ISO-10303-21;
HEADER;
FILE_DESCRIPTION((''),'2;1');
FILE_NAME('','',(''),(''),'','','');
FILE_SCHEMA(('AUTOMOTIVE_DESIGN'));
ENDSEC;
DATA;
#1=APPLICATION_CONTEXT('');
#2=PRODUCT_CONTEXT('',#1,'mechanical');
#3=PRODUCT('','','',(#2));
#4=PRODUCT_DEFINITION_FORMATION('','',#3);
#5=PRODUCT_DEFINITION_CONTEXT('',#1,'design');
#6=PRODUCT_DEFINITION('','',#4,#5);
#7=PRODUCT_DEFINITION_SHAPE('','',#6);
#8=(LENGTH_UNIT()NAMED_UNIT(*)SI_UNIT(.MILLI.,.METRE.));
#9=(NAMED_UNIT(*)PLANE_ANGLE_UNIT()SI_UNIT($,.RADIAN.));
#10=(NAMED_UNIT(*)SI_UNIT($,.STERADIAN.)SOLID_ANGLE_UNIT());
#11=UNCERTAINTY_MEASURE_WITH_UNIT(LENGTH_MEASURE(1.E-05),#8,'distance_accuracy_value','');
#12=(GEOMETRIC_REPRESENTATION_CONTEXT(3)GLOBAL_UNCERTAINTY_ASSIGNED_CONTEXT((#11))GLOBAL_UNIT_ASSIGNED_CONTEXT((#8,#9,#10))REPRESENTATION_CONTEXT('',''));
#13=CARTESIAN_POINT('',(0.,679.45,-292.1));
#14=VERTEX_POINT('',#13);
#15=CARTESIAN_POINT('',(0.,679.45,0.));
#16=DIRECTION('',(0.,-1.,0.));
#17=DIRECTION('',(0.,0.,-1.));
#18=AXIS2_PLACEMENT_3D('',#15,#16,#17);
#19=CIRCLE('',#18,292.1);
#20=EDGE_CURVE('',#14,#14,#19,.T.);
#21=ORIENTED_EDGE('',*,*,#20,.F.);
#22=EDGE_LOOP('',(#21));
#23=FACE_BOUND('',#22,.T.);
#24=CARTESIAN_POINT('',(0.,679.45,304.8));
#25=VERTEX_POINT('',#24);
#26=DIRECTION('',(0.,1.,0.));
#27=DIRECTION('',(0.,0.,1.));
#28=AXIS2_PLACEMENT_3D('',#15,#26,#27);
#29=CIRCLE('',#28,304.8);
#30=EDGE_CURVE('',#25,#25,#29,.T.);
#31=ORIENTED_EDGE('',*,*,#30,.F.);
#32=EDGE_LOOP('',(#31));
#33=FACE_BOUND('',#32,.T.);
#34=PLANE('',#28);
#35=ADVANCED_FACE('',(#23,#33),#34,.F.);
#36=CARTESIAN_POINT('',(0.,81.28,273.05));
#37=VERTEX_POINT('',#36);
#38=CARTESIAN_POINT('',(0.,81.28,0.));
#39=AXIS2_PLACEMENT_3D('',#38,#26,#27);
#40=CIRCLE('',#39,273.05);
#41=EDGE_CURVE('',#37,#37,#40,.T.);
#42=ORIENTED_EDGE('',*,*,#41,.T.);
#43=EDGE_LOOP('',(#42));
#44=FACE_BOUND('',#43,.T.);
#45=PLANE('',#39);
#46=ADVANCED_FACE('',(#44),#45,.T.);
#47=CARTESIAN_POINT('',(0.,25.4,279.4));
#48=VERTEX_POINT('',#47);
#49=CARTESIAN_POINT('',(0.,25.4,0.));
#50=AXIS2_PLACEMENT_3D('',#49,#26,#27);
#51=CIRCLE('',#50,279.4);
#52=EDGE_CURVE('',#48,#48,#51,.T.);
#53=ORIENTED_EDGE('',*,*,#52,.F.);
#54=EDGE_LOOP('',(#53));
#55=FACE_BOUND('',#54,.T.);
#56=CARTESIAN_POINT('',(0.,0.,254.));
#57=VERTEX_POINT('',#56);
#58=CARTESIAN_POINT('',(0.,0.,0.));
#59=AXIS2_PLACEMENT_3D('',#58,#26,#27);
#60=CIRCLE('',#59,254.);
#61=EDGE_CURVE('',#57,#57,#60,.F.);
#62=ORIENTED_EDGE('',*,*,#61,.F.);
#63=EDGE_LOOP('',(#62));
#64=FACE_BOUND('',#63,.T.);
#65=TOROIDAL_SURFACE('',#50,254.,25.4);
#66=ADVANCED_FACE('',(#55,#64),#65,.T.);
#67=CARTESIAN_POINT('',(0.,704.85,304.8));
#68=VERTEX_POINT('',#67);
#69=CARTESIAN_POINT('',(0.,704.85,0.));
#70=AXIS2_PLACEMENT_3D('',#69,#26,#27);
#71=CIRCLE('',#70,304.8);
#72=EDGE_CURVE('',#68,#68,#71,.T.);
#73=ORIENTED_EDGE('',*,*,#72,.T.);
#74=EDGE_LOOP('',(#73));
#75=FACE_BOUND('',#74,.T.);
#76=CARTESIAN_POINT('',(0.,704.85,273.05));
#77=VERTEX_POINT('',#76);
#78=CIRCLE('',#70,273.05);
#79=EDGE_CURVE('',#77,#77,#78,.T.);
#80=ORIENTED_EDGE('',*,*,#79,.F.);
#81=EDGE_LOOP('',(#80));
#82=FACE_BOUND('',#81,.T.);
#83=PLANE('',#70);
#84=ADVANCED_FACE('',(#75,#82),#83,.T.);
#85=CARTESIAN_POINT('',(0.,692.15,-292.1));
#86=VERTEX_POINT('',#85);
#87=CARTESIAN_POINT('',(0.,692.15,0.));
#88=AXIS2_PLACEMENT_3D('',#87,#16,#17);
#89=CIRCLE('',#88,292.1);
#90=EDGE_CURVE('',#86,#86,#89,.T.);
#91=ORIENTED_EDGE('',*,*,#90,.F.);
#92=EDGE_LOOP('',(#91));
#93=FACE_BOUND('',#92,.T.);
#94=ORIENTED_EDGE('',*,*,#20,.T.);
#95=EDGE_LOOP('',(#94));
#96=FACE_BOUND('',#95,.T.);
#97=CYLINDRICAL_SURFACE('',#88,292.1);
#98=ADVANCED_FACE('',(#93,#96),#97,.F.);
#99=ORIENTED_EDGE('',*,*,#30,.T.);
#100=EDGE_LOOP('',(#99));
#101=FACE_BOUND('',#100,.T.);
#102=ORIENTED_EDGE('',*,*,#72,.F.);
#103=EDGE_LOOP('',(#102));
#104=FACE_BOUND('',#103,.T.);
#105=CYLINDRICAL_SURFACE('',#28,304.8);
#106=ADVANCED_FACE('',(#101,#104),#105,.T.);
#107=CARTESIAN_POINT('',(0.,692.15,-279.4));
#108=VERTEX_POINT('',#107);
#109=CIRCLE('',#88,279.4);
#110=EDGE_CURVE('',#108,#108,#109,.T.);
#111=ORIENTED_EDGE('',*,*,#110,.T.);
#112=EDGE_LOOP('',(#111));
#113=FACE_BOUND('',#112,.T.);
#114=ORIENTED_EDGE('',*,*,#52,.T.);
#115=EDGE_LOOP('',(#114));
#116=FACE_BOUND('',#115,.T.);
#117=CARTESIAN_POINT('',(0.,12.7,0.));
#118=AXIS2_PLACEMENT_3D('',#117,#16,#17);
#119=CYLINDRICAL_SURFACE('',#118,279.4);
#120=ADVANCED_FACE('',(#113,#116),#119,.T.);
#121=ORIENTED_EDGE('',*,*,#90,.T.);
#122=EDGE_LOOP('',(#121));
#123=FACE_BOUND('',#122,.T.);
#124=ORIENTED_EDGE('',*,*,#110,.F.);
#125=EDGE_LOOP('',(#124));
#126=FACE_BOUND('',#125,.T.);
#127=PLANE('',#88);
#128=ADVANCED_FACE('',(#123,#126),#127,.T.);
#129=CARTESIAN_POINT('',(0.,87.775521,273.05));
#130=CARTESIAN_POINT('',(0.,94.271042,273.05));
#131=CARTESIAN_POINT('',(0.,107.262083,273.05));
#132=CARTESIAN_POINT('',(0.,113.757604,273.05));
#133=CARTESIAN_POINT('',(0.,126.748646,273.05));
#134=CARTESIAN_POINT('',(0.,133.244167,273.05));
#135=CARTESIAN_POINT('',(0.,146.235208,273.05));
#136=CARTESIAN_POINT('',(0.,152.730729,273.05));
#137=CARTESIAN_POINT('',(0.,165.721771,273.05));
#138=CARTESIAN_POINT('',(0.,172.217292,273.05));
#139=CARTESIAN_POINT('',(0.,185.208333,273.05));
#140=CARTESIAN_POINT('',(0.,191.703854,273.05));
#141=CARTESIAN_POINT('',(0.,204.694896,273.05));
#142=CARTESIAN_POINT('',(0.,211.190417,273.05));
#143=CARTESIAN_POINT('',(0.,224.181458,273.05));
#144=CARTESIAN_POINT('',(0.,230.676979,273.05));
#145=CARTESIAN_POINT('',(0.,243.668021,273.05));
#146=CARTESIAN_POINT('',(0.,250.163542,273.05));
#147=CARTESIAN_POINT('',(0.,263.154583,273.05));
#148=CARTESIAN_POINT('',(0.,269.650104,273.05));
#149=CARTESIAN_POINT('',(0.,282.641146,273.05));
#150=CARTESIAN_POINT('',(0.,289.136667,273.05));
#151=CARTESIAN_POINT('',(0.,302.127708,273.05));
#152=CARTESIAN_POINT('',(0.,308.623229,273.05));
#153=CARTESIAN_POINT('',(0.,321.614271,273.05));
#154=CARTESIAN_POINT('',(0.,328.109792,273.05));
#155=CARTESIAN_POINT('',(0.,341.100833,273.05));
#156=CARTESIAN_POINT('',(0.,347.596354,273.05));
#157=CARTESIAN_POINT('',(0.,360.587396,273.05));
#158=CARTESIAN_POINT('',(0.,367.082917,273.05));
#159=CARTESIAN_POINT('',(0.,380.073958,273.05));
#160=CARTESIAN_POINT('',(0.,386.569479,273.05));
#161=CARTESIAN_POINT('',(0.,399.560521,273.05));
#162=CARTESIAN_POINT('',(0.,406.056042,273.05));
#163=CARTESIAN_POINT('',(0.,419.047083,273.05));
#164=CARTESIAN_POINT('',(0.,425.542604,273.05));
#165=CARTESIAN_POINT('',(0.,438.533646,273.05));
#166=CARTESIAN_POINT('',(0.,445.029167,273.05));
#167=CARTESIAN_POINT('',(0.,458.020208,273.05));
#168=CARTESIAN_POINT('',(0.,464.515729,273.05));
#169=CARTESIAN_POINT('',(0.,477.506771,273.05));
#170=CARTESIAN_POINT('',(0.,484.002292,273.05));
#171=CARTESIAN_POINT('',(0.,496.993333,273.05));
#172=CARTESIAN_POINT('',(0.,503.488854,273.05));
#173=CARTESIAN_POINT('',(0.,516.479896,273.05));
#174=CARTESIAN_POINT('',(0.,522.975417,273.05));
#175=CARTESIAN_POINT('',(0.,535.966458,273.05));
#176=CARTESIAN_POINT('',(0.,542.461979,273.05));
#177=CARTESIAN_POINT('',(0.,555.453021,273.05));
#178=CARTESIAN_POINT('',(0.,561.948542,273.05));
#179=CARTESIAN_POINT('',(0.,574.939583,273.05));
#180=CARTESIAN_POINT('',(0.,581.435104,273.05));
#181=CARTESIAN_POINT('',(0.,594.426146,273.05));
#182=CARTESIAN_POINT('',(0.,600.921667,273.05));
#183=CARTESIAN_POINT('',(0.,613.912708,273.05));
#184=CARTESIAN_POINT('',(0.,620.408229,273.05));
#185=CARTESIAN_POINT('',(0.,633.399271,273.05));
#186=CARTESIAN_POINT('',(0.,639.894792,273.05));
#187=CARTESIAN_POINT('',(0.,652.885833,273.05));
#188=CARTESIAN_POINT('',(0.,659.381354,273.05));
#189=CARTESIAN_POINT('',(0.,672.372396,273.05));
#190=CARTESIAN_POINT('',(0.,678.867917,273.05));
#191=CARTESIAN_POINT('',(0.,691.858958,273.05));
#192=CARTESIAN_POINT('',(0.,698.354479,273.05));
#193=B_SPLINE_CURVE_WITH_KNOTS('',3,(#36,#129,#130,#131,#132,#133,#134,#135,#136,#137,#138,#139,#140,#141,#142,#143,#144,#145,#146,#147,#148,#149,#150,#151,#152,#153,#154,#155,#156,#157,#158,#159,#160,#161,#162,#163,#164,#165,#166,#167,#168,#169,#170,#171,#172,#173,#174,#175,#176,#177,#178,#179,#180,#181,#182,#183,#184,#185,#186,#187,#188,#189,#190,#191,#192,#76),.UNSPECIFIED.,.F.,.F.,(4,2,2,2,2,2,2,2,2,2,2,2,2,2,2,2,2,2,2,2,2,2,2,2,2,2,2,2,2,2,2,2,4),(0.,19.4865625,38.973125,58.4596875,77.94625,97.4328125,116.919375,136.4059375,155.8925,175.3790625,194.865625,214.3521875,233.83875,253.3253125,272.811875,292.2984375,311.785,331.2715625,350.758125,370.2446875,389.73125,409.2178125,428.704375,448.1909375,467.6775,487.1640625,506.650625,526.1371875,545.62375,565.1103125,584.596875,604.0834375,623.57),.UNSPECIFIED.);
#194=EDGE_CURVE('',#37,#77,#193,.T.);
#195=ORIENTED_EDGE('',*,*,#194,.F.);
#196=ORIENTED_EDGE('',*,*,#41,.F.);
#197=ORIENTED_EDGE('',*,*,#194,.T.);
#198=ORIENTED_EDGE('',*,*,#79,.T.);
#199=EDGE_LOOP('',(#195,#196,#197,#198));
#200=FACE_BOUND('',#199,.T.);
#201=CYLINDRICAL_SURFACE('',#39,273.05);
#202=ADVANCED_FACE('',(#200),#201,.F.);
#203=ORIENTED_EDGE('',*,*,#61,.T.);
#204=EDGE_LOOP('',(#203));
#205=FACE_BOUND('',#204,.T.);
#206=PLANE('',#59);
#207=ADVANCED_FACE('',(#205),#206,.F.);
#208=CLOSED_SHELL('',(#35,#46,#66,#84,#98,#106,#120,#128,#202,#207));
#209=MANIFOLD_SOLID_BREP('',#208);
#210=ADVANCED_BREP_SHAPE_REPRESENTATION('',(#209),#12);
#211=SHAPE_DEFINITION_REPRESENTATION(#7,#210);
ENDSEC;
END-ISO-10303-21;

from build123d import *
from build123d.topology import SkipClean

# Parameters (mm, degrees)
SKETCH1_R           = 279.4
BOSS_EXTRUDE3_DEPTH = 12.7
SKETCH2_R           = 279.4
BOSS_EXTRUDE6_DEPTH = 692.15
SKETCH8_R           = 273.05
BOSS_EXTRUDE7_DEPTH = 623.57
SKETCH10_R          = 273.05
CUT_EXTRUDE1_DEPTH  = 623.57
FILLET1_R           = 25.4
FILLET2_R           = 2.54
SKETCH11_R          = 304.8
BOSS_EXTRUDE8_DEPTH = 25.4
SKETCH12_R          = 273.05
CUT_EXTRUDE6_DEPTH  = 25.4
SKETCH13_R          = 292.1
SKETCH13_R_2        = 279.4
CUT_EXTRUDE11_DEPTH = 12.7


with BuildPart() as part:
    # Sketch1 → Boss-Extrude3 (new body)
    with BuildSketch(Plane(origin=(0, 0, 0), x_dir=(1, 0, 0), z_dir=(0, 1, 0))):
        with Locations(Location((0, 0, 0), (0, 0, 270))):
            Circle(SKETCH1_R)
    extrude(amount=BOSS_EXTRUDE3_DEPTH)

    # Sketch2 → Boss-Extrude6 (add)
    with BuildSketch(Plane(origin=(0, 12.7, 0), x_dir=(1, 0, 0), z_dir=(0, 1, 0))):
        with Locations(Location((0, 0, 0), (0, 0, 270))):
            Circle(SKETCH2_R)
    extrude(amount=BOSS_EXTRUDE6_DEPTH)

    # Sketch8 → Boss-Extrude7 (add)
    with BuildSketch(Plane(origin=(0, 704.85, 0), x_dir=(1, 0, 0), z_dir=(0, 1, 0))):
        Circle(SKETCH8_R)
    extrude(amount=-BOSS_EXTRUDE7_DEPTH)

    # Sketch10 → Cut-Extrude1 (cut)
    with BuildSketch(Plane(origin=(0, 704.85, 0), x_dir=(1, 0, 0), z_dir=(0, 1, 0))):
        with Locations(Location((0, 0, 0), (0, 0, 270))):
            Circle(SKETCH10_R)
    extrude(amount=-CUT_EXTRUDE1_DEPTH, mode=Mode.SUBTRACT)

    # Fillet1
    fillet1_edges = [part.edges().sort_by_distance(p)[0] for p in [
        (0, 0, -279.4),
    ]]
    fillet(fillet1_edges, radius=FILLET1_R)

    # Fillet2
    fillet2_edges = [part.edges().sort_by_distance(p)[0] for p in [
        (0, 704.85, -273.05),
        (0, 704.85, -279.4),
    ]]
    fillet(fillet2_edges, radius=FILLET2_R)

    # Sketch11 → Boss-Extrude8 (add)
    with BuildSketch(Plane(origin=(0, 704.85, 0), x_dir=(1, 0, 0), z_dir=(0, 1, 0))):
        with Locations(Location((0, 0, 0), (0, 0, 270))):
            Circle(SKETCH11_R)
    extrude(amount=-BOSS_EXTRUDE8_DEPTH)

    # Sketch12 → Cut-Extrude6 (cut)
    with BuildSketch(Plane(origin=(0, 704.85, 0), x_dir=(1, 0, 0), z_dir=(0, 1, 0))):
        with Locations(Location((0, 0, 0), (0, 0, 270))):
            Circle(SKETCH12_R)
    extrude(amount=-CUT_EXTRUDE6_DEPTH, mode=Mode.SUBTRACT)

    # Sketch13 → Cut-Extrude11 (cut)
    with SkipClean():  # the faces are left unmerged after this step: merging them gives an invalid solid
        with BuildSketch(Plane(origin=(0, 679.45, 0), x_dir=(-1, 0, 0), z_dir=(0, -1, 0))):
            with Locations(Location((0, 0, 0), (0, 0, 90))):
                Circle(SKETCH13_R)
            with Locations(Location((0, 0, 0), (0, 0, 90))):
                Circle(SKETCH13_R_2, mode=Mode.SUBTRACT)
        extrude(amount=-CUT_EXTRUDE11_DEPTH, mode=Mode.SUBTRACT)


solid = part.part
